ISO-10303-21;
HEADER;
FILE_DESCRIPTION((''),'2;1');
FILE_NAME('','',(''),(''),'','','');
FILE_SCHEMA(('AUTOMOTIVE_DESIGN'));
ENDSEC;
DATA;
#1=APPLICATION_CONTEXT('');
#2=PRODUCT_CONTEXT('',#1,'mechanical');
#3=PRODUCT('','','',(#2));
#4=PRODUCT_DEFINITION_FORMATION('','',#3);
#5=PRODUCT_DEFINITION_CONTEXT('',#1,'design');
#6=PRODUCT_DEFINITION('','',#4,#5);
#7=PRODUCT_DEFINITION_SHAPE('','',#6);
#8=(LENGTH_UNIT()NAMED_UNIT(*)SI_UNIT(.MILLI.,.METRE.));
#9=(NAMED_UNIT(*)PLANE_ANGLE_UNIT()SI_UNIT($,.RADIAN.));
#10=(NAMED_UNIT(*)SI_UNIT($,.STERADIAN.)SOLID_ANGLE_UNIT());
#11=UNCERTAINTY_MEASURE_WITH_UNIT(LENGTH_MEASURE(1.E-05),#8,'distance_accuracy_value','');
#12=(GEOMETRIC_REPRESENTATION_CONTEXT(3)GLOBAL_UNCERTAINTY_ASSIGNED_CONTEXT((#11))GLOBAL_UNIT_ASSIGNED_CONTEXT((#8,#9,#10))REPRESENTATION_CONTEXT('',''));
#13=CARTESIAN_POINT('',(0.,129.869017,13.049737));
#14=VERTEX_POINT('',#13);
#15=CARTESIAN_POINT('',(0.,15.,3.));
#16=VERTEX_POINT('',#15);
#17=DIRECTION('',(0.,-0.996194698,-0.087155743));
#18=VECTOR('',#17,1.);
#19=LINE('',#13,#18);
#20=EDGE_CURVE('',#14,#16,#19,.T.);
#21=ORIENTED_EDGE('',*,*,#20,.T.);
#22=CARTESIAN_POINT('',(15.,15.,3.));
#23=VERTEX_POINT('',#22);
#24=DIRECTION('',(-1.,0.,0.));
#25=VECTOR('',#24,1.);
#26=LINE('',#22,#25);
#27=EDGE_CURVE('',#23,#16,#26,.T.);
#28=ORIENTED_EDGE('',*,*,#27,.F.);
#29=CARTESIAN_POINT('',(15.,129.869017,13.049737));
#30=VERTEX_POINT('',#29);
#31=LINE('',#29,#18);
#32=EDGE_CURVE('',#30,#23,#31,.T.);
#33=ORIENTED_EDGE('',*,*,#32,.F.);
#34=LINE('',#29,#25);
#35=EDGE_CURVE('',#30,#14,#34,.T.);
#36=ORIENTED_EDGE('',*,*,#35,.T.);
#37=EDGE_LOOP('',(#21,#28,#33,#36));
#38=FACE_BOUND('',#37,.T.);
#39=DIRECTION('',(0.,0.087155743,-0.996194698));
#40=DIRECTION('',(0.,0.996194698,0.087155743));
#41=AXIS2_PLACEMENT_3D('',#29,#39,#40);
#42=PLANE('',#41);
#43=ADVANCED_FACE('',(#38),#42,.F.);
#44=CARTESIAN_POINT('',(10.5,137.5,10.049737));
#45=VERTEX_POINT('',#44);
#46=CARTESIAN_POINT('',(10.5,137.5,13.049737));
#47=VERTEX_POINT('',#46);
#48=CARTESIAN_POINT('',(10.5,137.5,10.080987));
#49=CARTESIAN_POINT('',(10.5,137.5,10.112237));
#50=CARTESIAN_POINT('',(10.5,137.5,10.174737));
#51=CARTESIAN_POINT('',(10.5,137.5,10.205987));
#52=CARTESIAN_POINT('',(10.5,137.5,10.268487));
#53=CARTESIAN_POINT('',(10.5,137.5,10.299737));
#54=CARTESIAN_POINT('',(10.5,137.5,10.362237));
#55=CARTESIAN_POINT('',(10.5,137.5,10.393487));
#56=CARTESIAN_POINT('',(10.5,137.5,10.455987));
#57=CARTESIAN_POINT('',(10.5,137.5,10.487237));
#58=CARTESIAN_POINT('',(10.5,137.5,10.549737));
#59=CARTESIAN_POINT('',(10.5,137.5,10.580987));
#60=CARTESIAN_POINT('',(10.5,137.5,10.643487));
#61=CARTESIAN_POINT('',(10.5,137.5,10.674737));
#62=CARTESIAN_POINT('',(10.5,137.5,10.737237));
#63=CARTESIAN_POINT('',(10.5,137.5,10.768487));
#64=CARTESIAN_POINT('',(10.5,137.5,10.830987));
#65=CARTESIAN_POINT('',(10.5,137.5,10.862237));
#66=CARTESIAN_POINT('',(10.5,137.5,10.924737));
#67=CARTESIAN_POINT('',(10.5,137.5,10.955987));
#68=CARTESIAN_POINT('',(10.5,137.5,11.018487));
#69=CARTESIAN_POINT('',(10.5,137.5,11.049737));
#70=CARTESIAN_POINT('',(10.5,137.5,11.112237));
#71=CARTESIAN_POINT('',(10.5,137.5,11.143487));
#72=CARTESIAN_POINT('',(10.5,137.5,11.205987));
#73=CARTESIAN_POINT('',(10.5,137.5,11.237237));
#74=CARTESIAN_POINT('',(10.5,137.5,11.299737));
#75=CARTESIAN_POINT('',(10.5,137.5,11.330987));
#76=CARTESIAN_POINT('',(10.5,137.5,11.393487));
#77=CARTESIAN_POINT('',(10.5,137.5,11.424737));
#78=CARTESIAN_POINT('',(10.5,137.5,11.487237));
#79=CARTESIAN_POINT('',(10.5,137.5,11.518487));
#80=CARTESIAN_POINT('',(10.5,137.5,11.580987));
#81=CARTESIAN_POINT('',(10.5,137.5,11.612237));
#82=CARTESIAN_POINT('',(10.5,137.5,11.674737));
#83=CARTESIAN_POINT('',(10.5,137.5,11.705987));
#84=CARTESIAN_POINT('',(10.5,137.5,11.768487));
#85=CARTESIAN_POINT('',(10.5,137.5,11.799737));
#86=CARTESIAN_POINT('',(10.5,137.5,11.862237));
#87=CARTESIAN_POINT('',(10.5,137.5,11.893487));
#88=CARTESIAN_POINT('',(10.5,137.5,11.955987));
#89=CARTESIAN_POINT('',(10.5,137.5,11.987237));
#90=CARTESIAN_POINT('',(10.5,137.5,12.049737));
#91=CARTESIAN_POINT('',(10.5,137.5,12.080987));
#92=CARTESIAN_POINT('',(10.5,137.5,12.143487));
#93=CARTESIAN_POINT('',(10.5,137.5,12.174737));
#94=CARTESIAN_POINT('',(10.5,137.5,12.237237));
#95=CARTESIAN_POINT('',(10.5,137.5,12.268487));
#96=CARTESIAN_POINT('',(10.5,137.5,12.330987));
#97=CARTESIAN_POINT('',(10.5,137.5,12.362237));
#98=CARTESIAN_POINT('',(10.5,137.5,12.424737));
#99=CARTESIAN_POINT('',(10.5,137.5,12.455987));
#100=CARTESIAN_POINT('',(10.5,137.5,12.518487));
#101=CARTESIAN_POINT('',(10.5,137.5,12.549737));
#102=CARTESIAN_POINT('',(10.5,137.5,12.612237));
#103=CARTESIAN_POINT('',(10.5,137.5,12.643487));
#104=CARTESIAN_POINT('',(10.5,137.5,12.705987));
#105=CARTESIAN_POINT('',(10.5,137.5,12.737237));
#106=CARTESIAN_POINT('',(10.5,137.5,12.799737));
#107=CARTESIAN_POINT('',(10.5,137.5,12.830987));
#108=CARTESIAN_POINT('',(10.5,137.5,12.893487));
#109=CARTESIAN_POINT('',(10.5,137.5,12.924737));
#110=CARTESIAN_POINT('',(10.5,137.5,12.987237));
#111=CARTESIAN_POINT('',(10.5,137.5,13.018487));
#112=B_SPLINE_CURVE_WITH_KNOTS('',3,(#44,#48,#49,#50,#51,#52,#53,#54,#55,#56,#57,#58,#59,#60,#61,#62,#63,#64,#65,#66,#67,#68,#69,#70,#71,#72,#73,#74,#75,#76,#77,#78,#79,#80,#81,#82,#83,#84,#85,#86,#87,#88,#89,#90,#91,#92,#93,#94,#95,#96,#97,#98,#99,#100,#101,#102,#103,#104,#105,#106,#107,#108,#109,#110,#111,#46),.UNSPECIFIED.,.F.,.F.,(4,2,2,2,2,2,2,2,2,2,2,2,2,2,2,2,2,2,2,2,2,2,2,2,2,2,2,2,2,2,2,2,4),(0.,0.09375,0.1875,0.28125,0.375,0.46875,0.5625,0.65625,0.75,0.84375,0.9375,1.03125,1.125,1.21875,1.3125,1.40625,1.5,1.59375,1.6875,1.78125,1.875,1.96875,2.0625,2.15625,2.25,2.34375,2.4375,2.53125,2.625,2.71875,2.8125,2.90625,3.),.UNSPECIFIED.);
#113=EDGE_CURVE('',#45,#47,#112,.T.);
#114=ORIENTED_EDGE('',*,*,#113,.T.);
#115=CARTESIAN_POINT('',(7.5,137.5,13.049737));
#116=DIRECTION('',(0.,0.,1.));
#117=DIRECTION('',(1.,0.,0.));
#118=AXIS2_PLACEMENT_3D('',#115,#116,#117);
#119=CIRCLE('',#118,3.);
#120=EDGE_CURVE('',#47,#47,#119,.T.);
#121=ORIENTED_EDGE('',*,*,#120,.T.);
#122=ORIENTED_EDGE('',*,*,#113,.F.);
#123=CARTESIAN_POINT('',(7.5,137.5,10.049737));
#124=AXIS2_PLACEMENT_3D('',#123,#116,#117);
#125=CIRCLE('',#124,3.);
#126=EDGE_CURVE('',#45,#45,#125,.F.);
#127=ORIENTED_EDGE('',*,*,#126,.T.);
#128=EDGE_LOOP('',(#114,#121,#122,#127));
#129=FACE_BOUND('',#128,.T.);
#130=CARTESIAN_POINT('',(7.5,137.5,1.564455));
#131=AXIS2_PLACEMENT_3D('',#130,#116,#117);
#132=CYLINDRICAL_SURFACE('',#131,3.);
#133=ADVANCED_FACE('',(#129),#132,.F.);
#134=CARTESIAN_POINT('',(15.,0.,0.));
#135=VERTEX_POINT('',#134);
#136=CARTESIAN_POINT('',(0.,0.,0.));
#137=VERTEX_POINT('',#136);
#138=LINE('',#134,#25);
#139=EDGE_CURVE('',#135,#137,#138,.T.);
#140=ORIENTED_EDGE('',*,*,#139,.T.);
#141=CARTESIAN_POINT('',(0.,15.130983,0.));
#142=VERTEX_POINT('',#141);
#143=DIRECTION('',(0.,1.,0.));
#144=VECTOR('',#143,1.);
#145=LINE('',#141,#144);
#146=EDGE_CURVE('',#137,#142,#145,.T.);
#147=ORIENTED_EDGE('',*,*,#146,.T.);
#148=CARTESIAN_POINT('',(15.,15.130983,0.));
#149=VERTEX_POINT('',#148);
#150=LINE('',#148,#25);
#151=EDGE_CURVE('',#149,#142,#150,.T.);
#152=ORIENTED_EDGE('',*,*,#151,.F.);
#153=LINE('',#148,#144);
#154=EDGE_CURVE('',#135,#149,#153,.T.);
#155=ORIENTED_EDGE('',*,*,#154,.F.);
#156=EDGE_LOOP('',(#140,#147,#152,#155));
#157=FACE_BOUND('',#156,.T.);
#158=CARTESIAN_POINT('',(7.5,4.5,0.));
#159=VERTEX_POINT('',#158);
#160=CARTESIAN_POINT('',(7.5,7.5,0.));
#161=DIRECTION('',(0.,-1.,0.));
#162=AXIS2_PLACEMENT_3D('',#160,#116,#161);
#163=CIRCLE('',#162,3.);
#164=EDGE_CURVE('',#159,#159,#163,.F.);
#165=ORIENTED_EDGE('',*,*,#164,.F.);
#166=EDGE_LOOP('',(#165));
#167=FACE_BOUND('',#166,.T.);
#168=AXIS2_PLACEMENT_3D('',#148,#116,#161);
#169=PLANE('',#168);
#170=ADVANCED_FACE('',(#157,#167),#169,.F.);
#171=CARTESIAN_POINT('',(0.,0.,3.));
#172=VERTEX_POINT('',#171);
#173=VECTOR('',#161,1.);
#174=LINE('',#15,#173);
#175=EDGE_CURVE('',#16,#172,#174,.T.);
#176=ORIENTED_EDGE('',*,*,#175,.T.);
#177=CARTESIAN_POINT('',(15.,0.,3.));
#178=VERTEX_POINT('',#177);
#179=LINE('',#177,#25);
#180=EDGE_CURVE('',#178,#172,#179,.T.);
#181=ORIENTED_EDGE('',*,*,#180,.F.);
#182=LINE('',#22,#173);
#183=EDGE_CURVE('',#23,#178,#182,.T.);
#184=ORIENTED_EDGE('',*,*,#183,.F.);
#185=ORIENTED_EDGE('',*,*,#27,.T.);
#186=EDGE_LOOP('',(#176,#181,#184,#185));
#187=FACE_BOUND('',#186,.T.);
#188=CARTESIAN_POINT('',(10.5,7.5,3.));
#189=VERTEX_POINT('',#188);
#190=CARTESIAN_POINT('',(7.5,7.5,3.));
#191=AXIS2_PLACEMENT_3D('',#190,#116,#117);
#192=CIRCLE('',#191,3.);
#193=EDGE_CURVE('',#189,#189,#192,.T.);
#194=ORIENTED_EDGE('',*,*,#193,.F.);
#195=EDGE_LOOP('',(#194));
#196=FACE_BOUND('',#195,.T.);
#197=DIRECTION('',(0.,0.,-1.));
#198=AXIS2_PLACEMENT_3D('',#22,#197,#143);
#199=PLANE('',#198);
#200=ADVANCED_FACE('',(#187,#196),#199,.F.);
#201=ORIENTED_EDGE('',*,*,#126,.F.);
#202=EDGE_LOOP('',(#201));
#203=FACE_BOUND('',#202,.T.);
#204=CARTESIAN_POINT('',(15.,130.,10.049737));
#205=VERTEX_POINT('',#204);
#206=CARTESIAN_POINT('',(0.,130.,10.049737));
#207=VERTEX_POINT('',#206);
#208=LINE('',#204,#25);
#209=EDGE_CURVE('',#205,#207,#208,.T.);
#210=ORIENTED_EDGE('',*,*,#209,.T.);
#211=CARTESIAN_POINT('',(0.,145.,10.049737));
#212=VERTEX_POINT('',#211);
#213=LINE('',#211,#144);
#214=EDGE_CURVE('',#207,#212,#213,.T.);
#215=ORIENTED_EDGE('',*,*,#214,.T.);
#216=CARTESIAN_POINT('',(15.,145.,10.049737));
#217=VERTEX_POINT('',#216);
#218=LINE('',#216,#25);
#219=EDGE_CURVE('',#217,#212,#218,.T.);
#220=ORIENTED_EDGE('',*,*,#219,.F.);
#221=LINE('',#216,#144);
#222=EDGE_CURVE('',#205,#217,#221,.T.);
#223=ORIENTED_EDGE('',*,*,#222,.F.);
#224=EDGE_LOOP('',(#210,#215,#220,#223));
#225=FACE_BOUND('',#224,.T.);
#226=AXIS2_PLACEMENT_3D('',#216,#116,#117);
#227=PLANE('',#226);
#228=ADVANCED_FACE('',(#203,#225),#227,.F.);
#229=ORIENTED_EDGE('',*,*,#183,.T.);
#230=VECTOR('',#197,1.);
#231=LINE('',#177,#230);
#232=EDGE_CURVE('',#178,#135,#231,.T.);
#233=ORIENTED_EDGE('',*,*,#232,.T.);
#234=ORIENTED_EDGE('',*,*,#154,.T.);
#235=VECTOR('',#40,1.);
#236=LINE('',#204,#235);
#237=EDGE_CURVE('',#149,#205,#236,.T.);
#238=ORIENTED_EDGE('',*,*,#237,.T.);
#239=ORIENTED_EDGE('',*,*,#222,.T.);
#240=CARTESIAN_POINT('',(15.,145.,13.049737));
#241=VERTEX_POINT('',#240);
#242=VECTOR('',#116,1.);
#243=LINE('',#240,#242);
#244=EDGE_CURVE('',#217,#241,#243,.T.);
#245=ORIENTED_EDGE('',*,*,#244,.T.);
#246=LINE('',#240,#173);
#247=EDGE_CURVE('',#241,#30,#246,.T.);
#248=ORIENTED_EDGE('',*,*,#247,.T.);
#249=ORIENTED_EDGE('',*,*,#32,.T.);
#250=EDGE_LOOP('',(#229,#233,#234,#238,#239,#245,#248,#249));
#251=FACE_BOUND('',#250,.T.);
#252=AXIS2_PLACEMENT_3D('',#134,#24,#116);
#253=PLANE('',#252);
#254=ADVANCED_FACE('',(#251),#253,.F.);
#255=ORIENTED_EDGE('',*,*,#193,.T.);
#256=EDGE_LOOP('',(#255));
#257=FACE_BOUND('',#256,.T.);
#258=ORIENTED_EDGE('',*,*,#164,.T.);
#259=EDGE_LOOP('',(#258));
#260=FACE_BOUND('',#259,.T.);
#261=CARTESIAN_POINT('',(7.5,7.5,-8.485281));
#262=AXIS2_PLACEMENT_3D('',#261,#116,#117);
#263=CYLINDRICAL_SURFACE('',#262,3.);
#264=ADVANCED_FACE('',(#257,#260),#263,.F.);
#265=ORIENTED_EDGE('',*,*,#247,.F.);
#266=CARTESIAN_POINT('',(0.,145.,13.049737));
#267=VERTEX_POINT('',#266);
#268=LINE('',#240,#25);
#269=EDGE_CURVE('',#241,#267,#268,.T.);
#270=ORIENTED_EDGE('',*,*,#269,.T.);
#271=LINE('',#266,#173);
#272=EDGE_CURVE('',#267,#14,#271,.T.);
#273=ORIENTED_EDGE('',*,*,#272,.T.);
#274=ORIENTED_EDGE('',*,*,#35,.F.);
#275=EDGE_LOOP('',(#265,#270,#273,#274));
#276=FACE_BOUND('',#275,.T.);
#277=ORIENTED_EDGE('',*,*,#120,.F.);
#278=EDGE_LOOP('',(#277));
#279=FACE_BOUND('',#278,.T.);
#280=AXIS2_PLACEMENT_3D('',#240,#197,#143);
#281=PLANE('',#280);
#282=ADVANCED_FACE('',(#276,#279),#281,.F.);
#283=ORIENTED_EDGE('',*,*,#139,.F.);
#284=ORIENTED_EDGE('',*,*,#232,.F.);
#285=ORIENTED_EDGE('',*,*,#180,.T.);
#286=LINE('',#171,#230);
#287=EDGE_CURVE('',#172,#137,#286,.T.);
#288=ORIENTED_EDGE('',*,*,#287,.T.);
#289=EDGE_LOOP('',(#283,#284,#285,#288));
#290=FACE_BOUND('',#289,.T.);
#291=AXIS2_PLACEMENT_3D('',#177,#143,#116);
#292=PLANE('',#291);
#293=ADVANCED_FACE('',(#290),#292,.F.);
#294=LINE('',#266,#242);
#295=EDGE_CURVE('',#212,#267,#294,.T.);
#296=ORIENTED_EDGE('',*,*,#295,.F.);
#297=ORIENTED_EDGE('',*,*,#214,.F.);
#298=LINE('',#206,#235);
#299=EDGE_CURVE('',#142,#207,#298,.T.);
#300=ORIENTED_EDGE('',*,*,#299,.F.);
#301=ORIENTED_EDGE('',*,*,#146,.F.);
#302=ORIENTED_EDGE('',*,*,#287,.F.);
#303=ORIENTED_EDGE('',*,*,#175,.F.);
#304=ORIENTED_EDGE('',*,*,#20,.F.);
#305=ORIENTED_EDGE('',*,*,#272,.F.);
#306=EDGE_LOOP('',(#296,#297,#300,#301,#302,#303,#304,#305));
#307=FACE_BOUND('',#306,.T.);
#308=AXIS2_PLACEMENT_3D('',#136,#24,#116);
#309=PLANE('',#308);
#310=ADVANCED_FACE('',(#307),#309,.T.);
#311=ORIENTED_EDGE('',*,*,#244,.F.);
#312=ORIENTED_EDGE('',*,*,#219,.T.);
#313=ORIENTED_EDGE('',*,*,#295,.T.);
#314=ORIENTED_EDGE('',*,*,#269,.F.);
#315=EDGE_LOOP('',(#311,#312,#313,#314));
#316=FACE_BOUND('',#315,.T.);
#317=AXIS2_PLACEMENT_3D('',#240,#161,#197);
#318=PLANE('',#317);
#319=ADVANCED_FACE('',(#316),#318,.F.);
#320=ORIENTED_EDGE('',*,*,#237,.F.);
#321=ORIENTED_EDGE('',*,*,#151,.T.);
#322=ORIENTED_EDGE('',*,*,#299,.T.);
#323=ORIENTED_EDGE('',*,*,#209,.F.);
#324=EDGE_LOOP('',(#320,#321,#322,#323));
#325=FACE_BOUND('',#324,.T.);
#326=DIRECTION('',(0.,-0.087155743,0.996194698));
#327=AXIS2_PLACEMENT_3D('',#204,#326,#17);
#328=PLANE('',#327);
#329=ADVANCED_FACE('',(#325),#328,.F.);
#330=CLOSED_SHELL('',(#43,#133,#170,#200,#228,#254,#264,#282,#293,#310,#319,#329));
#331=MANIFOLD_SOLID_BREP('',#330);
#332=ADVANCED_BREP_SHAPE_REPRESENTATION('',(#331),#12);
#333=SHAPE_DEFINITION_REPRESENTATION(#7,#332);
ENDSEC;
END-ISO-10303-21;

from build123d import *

# Parameters (mm, degrees)
BOSS_EXTRUDE1_DEPTH = 15
SKETCH3_R           = 3
CUT_EXTRUDE1_DEPTH  = 3
SKETCH4_R           = 3
CUT_EXTRUDE2_DEPTH  = 3


with BuildPart() as part:
    # Sketch2 → Boss-Extrude1 (new body)
    with BuildSketch(Plane(origin=(0, 0, 0), x_dir=(0, 0, -1), z_dir=(1, 0, 0))):
        Polygon((-10.049736793, 145), (-10.049736793, 130), (0, 15.130982829), (0, 0), (-3, 0), (-3, 15), (-13.049736793, 129.869017171), (-13.049736793, 145), align=None)
    extrude(amount=BOSS_EXTRUDE1_DEPTH)

    # Sketch3 → Cut-Extrude1 (cut)
    with BuildSketch(Plane.XY.offset(3)):
        with Locations((7.5, 7.5)):
            Circle(SKETCH3_R)
    extrude(amount=-CUT_EXTRUDE1_DEPTH, mode=Mode.SUBTRACT)

    # Sketch4 → Cut-Extrude2 (cut)
    with BuildSketch(Plane.XY.offset(13.049736793)):
        with Locations((7.5, 137.5)):
            Circle(SKETCH4_R)
    extrude(amount=-CUT_EXTRUDE2_DEPTH, mode=Mode.SUBTRACT)


solid = part.part
